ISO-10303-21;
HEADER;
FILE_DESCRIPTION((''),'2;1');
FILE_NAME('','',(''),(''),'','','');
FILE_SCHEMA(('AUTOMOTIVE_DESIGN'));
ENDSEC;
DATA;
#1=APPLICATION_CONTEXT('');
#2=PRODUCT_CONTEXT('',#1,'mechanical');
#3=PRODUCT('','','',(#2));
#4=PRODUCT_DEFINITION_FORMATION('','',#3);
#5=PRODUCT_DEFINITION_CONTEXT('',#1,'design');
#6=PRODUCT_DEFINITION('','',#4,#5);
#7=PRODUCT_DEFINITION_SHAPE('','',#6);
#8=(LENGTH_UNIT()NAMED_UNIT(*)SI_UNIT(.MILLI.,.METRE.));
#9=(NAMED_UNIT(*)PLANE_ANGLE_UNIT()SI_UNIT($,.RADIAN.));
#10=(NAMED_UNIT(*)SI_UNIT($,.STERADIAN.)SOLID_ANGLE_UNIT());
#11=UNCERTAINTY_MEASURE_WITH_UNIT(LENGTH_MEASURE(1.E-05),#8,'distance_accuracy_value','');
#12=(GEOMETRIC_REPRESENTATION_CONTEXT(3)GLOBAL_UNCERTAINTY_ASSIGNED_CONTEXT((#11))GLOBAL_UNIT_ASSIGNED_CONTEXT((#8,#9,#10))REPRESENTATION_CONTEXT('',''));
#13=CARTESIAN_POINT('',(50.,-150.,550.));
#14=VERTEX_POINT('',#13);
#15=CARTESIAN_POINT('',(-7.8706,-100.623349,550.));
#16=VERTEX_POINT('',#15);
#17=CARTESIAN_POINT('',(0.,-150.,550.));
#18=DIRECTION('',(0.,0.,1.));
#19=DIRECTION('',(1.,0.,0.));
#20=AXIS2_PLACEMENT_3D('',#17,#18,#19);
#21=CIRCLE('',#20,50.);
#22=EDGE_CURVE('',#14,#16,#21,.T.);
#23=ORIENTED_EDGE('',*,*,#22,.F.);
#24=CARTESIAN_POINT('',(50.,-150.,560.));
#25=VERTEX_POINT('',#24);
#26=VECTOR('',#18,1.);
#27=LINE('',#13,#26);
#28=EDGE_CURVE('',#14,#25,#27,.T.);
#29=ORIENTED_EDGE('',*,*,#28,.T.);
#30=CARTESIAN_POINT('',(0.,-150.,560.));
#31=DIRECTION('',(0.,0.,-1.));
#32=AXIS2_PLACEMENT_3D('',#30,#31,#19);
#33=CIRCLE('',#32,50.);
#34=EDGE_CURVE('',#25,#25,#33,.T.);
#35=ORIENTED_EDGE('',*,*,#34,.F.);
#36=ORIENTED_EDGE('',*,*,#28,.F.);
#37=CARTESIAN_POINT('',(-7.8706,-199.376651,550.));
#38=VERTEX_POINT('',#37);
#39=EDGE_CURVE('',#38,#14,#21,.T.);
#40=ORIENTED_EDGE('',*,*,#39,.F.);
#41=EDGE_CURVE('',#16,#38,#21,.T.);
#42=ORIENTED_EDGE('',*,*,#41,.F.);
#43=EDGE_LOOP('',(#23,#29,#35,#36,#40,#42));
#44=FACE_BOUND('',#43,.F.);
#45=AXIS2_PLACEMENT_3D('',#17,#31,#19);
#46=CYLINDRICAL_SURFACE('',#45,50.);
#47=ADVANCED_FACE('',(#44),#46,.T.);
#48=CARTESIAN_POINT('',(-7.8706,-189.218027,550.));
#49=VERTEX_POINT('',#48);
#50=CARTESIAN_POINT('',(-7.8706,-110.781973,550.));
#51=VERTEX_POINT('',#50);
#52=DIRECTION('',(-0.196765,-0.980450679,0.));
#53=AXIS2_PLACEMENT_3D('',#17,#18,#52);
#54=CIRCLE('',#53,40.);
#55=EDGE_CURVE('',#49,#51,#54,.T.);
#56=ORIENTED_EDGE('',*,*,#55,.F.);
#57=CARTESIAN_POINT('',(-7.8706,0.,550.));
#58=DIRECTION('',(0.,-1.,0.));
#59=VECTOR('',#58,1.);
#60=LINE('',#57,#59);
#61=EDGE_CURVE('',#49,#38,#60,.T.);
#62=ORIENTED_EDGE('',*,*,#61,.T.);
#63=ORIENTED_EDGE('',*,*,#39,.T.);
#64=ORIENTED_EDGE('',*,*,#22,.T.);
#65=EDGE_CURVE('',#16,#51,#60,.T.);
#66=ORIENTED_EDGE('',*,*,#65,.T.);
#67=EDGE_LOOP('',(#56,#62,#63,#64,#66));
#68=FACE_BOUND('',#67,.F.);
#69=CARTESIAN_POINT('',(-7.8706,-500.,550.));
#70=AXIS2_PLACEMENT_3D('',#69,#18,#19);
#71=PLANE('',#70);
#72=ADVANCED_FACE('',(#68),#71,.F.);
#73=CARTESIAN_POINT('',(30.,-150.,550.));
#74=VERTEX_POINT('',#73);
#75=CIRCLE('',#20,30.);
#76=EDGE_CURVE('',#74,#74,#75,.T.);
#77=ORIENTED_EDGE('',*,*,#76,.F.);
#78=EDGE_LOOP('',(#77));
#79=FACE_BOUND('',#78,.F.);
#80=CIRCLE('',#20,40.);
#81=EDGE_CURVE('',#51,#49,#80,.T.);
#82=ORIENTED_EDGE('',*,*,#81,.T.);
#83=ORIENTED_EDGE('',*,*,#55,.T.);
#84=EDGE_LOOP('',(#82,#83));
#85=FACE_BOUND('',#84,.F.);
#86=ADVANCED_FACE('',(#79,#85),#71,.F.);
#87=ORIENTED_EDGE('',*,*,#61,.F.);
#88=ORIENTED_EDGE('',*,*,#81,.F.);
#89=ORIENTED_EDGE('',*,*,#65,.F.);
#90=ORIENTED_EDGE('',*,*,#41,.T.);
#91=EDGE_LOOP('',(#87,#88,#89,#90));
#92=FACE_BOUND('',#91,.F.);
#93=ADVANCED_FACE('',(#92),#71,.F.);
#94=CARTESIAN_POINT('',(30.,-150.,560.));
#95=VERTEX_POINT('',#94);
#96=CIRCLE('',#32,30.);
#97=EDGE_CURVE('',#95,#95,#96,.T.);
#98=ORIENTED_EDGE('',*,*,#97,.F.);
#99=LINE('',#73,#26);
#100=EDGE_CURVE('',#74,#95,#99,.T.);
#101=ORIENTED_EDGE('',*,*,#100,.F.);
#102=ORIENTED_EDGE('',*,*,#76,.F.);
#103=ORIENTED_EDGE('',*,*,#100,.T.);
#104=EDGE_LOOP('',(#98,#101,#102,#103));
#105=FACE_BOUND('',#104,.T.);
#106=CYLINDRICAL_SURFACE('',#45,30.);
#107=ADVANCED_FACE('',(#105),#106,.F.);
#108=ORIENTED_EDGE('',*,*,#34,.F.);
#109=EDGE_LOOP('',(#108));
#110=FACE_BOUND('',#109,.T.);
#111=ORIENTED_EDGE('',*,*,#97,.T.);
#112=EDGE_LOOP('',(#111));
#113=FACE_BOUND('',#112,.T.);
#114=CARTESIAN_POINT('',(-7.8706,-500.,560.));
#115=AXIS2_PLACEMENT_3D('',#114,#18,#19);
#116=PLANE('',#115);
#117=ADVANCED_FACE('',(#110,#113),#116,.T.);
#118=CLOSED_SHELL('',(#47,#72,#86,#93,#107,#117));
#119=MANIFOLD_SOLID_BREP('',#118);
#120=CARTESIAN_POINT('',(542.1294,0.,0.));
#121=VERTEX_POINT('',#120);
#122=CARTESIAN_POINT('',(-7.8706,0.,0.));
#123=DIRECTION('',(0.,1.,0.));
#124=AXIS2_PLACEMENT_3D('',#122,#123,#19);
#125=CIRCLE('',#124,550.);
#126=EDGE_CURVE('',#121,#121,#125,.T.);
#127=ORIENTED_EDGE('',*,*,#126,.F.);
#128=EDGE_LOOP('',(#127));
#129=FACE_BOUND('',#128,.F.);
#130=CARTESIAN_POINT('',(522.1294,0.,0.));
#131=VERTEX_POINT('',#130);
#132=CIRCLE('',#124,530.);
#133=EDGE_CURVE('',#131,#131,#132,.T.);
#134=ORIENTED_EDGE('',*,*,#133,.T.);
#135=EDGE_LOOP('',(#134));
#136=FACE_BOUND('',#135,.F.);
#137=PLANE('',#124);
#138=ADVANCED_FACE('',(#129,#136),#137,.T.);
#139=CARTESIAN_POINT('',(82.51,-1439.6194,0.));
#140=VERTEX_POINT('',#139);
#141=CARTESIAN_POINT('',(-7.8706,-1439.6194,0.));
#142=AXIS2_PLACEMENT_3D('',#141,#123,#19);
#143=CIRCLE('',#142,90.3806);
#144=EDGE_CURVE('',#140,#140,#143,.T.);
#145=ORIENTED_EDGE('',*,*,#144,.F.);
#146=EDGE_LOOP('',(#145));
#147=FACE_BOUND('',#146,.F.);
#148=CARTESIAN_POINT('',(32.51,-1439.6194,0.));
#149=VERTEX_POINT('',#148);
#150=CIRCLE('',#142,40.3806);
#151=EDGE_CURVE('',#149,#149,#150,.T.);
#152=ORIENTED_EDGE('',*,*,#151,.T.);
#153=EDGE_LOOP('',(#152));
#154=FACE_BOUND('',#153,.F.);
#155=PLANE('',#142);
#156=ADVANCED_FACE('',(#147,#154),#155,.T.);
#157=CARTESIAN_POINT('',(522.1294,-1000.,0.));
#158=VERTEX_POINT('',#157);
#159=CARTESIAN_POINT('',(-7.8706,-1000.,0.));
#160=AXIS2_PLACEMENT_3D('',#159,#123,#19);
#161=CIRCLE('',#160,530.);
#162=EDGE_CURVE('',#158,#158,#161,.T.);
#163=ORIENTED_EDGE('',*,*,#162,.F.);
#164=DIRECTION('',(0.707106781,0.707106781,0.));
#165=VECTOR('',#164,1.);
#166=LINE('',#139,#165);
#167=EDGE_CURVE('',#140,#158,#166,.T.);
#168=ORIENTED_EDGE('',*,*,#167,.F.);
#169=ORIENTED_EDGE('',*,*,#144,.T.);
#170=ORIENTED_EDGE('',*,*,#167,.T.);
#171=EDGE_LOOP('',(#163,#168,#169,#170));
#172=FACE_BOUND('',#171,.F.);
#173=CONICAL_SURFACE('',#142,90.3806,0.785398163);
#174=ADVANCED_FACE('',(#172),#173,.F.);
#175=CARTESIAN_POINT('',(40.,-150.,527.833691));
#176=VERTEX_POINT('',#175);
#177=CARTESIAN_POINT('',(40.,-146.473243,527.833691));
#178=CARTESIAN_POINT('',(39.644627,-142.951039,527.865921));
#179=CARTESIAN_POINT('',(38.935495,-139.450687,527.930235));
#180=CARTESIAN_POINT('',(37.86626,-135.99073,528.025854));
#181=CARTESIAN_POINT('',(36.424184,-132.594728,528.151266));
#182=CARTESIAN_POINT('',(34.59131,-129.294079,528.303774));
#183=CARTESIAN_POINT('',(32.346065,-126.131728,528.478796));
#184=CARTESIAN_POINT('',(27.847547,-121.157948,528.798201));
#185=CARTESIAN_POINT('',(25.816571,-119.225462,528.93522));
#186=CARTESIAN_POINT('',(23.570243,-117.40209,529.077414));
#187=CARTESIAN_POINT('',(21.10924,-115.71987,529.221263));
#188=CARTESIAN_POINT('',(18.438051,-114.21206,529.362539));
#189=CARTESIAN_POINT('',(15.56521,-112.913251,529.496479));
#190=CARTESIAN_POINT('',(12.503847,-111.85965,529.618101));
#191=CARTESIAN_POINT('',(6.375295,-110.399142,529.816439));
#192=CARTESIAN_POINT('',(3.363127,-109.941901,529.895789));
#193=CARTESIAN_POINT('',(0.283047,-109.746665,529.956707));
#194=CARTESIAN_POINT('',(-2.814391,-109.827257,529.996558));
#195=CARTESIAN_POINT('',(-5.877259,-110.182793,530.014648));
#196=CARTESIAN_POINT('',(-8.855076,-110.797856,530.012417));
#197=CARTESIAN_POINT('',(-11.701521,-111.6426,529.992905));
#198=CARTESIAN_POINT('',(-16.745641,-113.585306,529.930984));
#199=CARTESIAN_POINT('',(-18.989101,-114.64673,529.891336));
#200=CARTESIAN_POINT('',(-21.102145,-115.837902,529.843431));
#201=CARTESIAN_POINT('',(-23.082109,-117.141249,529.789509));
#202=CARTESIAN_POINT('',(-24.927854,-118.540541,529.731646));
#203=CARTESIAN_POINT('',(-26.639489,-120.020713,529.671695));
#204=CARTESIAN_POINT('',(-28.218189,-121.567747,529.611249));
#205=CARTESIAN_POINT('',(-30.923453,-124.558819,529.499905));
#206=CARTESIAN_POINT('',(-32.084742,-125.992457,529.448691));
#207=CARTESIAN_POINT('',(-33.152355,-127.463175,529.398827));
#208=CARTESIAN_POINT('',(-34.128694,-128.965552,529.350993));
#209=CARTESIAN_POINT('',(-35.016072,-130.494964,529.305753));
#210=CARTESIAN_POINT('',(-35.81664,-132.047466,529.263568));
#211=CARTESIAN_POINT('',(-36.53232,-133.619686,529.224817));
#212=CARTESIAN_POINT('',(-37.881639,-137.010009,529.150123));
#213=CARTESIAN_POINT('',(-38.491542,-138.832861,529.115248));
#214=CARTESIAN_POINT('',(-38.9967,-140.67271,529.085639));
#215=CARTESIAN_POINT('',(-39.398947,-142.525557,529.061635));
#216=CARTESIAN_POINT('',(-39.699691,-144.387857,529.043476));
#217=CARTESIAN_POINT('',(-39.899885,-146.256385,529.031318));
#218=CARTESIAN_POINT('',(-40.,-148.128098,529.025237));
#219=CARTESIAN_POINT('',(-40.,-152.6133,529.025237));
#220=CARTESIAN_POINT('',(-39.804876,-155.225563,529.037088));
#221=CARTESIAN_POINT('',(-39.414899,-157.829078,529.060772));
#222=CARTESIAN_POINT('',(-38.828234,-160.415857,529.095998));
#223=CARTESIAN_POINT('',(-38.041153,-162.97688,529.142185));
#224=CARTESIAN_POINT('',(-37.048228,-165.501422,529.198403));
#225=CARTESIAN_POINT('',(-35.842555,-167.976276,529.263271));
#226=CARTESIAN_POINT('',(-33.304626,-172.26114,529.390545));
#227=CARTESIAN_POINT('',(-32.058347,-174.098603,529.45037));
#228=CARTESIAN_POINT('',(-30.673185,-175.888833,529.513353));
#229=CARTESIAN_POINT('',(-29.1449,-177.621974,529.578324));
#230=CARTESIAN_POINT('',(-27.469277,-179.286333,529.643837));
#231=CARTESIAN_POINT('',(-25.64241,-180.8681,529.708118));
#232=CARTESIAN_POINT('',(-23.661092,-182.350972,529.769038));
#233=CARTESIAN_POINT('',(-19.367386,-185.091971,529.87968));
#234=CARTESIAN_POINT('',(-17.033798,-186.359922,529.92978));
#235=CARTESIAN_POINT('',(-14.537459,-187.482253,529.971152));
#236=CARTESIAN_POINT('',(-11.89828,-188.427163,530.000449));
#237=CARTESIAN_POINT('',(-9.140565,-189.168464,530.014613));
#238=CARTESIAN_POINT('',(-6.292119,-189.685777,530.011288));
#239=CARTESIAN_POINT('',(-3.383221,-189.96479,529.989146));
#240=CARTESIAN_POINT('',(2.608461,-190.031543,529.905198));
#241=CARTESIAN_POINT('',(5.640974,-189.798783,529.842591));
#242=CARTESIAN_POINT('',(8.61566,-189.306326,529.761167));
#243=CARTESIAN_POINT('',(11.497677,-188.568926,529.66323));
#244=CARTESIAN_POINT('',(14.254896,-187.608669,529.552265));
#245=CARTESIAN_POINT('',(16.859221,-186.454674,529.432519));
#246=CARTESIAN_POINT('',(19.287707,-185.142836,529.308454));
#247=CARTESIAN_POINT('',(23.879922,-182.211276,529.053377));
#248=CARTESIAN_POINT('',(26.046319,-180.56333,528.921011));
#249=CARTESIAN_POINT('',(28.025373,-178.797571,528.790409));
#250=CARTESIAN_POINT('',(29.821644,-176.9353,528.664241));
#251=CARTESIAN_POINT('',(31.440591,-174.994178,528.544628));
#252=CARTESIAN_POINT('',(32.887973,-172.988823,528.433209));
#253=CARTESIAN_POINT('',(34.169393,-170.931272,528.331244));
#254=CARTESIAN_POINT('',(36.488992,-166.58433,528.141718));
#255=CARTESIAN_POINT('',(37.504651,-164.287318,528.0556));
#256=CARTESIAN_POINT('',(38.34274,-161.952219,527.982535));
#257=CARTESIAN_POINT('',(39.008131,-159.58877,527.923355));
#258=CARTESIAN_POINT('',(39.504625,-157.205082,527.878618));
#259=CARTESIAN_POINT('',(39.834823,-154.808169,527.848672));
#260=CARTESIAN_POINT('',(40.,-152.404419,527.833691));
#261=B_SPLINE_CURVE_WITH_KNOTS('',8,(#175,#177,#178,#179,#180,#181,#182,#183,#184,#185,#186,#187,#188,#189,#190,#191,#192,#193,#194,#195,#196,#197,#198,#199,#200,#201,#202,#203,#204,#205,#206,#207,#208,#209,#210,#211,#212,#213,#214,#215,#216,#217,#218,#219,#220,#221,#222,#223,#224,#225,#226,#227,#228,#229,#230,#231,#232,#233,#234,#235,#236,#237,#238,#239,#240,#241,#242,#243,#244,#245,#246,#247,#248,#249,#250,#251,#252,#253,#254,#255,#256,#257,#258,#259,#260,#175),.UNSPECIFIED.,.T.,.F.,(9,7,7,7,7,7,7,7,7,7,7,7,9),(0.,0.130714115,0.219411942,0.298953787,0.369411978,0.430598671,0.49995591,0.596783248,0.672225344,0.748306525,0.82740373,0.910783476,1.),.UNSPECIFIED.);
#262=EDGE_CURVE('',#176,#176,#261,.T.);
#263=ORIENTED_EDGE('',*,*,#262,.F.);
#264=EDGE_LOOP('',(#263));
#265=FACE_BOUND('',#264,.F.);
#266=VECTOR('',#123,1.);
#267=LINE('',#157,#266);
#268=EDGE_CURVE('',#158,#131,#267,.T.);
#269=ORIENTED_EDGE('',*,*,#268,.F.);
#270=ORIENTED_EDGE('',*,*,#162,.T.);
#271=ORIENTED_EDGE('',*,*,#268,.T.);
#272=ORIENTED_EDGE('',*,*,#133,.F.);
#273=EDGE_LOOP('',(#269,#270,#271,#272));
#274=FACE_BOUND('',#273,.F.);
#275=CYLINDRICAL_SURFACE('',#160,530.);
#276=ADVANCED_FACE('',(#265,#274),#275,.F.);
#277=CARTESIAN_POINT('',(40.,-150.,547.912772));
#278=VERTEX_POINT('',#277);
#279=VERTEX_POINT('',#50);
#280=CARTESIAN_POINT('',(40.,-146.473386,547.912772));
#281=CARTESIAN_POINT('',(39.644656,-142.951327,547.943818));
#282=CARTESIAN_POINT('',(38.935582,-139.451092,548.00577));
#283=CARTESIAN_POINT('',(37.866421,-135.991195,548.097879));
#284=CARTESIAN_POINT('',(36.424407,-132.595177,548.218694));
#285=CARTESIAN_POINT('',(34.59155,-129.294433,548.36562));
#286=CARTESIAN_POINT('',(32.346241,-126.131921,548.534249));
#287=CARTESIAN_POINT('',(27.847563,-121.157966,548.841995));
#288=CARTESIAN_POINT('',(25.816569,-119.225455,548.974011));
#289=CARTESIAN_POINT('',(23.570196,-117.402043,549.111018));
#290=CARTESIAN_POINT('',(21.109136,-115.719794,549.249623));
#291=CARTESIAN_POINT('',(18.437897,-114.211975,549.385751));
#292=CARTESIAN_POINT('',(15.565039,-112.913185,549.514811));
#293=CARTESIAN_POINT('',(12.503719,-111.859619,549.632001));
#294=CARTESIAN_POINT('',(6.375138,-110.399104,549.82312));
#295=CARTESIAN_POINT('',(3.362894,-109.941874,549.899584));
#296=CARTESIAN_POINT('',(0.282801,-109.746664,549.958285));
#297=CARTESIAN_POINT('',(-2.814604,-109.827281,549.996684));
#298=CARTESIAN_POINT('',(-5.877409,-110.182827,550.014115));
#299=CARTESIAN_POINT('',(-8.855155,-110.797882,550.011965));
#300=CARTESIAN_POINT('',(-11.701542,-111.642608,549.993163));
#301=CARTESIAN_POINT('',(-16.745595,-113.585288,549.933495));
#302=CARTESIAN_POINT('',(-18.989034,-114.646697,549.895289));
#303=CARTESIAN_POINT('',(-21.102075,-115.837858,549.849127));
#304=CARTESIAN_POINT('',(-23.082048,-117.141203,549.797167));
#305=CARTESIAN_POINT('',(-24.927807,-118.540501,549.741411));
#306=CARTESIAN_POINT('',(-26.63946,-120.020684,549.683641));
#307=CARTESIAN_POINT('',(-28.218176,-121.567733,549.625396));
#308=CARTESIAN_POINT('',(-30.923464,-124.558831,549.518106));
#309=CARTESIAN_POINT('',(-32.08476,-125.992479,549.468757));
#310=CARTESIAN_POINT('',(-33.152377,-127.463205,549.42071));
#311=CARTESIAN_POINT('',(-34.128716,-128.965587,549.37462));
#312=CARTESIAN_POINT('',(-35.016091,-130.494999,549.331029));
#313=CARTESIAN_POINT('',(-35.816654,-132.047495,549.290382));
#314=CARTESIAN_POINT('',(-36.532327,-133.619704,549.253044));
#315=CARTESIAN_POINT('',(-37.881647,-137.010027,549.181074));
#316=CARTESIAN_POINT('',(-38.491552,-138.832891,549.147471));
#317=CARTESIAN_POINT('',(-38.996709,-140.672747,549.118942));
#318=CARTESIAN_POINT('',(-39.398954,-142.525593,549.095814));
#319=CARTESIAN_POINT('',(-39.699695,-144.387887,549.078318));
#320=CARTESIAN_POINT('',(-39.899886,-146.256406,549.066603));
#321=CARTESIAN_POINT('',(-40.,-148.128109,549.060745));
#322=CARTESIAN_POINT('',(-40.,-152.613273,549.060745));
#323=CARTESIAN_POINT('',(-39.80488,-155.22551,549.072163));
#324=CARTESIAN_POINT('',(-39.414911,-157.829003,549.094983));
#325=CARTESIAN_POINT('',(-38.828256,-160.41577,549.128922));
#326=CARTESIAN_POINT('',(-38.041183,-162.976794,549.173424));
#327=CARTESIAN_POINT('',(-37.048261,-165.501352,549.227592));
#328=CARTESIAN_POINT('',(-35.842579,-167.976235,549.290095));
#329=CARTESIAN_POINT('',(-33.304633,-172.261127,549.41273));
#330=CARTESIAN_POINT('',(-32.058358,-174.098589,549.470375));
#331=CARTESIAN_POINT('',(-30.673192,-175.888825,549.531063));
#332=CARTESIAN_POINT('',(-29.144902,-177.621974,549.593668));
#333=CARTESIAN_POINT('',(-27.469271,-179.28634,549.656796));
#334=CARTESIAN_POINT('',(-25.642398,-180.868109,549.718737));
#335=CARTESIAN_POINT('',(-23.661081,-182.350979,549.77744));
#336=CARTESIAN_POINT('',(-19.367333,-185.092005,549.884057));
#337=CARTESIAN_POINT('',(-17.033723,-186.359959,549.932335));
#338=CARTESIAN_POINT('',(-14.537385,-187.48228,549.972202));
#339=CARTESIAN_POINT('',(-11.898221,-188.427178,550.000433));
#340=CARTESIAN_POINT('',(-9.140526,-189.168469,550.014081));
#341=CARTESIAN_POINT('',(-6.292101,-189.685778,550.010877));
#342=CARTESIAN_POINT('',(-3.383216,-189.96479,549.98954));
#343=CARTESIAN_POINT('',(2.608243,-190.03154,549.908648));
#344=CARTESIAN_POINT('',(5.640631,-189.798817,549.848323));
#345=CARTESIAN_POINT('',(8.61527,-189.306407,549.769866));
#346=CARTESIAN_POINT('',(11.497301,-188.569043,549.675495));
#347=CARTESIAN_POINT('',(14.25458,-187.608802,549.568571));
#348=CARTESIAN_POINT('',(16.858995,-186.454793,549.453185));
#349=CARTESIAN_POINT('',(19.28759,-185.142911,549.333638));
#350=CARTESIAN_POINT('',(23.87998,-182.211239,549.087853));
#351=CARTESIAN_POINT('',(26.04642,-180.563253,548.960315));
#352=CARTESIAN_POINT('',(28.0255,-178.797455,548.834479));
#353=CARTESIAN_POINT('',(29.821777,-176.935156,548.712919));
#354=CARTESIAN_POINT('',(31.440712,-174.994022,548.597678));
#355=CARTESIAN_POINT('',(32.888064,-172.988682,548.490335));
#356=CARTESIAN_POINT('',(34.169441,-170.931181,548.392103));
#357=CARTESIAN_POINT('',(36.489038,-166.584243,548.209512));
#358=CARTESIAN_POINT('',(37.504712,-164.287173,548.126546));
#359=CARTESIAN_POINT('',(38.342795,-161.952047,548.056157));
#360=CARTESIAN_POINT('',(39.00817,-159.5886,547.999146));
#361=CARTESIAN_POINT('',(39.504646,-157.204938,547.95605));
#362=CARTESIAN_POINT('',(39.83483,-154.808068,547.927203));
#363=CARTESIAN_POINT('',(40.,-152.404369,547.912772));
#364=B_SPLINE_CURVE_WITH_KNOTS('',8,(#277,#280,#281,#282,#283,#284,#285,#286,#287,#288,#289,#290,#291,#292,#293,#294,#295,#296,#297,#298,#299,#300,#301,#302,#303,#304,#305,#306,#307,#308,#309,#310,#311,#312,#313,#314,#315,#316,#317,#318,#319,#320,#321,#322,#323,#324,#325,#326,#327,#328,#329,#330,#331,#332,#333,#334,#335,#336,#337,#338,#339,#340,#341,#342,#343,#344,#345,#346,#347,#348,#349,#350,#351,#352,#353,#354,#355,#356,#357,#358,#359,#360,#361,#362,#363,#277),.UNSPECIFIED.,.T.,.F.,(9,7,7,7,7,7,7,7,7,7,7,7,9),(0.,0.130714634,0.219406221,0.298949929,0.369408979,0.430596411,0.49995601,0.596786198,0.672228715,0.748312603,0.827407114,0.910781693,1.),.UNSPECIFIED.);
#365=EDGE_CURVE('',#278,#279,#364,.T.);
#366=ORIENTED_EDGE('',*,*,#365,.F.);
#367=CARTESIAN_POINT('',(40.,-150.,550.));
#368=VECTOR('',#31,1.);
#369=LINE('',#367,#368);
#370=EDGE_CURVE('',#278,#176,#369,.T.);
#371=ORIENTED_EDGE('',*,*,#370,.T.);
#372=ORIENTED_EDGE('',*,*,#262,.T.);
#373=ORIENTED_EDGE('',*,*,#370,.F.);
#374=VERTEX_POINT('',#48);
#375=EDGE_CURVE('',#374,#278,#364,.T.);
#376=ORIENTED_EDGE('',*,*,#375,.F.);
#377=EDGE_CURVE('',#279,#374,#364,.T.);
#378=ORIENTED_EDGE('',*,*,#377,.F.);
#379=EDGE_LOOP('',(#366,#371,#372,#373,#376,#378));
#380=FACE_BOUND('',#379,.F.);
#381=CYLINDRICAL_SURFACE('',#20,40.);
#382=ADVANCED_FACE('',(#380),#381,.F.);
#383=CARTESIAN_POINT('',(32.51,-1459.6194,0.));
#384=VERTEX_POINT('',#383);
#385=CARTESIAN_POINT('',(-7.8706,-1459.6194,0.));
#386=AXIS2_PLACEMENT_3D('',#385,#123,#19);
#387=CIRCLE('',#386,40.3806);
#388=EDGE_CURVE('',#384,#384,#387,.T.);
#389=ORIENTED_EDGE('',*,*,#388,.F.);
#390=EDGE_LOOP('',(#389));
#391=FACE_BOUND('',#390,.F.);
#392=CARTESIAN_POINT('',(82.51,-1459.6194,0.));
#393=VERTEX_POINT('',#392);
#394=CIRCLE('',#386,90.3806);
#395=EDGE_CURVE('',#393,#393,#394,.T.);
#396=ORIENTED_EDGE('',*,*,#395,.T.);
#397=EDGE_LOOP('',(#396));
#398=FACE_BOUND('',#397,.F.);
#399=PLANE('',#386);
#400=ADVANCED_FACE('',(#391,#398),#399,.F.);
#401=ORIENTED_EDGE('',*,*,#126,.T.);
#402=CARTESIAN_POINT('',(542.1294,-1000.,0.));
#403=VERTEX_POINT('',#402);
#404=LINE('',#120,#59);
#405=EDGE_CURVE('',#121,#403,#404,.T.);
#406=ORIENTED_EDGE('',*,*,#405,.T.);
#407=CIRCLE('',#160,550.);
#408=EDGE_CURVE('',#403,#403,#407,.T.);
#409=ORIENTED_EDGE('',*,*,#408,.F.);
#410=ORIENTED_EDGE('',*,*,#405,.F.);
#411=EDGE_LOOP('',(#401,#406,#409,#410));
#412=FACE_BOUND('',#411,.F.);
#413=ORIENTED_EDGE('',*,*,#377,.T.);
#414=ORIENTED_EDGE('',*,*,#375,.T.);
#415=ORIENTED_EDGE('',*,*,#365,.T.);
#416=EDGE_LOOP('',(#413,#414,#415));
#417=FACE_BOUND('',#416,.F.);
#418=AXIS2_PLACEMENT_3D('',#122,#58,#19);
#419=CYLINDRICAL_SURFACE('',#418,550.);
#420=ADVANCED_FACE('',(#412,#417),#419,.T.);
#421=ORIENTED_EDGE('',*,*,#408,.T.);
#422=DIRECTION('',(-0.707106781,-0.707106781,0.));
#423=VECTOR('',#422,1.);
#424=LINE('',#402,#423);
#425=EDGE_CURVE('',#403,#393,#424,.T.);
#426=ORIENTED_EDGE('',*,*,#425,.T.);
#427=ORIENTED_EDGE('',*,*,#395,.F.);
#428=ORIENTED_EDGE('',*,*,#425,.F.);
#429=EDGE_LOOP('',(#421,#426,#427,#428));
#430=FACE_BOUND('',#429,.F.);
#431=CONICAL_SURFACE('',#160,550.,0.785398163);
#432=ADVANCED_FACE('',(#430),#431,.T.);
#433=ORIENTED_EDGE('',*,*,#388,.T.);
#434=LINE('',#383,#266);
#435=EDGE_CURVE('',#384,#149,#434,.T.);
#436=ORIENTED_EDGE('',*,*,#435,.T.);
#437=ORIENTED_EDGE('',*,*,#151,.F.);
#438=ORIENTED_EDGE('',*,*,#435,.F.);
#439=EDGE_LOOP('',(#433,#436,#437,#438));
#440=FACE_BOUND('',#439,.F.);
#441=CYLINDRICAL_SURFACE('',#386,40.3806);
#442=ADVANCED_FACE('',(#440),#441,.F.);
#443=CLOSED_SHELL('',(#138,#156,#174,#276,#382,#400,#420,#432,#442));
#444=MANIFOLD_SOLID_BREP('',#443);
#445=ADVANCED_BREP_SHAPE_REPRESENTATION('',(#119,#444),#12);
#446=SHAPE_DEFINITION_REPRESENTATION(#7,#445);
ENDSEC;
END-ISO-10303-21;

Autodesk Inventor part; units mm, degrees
ref_plane "YZ Plane" through (0, 0, 0) normal (1, 0, 0) x (0, 1, 0)
sketch "Sketch1" plane through (0, 0, 0) normal (0, 0, 1) x (1, 0, 0)
  line L0 (542.1294, 0) -> (542.1294, -1000)
  line L1 (542.1294, -1000) -> (82.51, -1459.6194)
  line L2 (-7.8706, -896.0873) -> (-7.8706, -498.6597)
  line L3 (542.1294, 0) -> (542.1294, 0)
  line L4 (82.51, -1459.6194) -> (32.51, -1459.6194)
  line L5 (32.51, -1459.6194) -> (32.51, -1439.6194)
  line L6 (32.51, -1439.6194) -> (82.51, -1439.6194)
  line L7 (82.51, -1439.6194) -> (522.1294, -1000)
  line L8 (522.1294, -1000) -> (522.1294, 0)
  line L9 (522.1294, 0) -> (542.1294, 0)
  point P0 (0, 0)
  dimension "d0" = 1000
  dimension "d1" = 650
  dimension "d2" = 0
  dimension "d3" = 135
  dimension "d4" = 550
  dimension "d29" = 0
  dimension "d30" = 0
  dimension "d31" = 50
  dimension "d41" = 20
ref_plane "Work Plane6" through (-566.8771, -58.4878, 0) normal (0, -1, 0) x (1, 0, 0)
revolve "Revolution1" add sketch "Sketch1" angle 360 about axis through (-7.8706, -896.0873, 0) along (0, 1, 0)
ref_plane "Work Plane10" through (-7.8706, -500, 550) normal (0, 0, 1) x (1, 0, 0)
sketch "Sketch31" plane through (-7.8706, -500, 550) normal (0, 0, 1) x (1, 0, 0)
  circle A0 centre (7.8706, 350) radius 50
  circle A1 centre (7.8706, 350) radius 30
  line L0 (-550, 500) -> (550, 500) projected
  line L1 (7.8706, -1251.5433) -> (7.8706, 791.9239) projected
  point P0 (7.8706, 500)
  dimension "d102" = 100
  dimension "d103" = 60
  dimension "d104" = 150
  dimension "d105" = 0
extrude "Extrusion15" add sketch "Sketch31" along normal blind 10 contours A0 L1 A1 | L1 A1 A0
sketch "Sketch32" plane through (-7.8706, -500, 550) normal (0, 0, 1) x (1, 0, 0)
  circle A0 centre (7.8706, 350) radius 40
  circle A1 centre (7.8706, 350) radius 30 projected
  point P0 (7.8706, 500)
  dimension "d108" = 80
extrude "Extrusion16" cut sketch "Sketch32" against normal blind 50 contours A0 | A1
properties part number "swirl filter"
